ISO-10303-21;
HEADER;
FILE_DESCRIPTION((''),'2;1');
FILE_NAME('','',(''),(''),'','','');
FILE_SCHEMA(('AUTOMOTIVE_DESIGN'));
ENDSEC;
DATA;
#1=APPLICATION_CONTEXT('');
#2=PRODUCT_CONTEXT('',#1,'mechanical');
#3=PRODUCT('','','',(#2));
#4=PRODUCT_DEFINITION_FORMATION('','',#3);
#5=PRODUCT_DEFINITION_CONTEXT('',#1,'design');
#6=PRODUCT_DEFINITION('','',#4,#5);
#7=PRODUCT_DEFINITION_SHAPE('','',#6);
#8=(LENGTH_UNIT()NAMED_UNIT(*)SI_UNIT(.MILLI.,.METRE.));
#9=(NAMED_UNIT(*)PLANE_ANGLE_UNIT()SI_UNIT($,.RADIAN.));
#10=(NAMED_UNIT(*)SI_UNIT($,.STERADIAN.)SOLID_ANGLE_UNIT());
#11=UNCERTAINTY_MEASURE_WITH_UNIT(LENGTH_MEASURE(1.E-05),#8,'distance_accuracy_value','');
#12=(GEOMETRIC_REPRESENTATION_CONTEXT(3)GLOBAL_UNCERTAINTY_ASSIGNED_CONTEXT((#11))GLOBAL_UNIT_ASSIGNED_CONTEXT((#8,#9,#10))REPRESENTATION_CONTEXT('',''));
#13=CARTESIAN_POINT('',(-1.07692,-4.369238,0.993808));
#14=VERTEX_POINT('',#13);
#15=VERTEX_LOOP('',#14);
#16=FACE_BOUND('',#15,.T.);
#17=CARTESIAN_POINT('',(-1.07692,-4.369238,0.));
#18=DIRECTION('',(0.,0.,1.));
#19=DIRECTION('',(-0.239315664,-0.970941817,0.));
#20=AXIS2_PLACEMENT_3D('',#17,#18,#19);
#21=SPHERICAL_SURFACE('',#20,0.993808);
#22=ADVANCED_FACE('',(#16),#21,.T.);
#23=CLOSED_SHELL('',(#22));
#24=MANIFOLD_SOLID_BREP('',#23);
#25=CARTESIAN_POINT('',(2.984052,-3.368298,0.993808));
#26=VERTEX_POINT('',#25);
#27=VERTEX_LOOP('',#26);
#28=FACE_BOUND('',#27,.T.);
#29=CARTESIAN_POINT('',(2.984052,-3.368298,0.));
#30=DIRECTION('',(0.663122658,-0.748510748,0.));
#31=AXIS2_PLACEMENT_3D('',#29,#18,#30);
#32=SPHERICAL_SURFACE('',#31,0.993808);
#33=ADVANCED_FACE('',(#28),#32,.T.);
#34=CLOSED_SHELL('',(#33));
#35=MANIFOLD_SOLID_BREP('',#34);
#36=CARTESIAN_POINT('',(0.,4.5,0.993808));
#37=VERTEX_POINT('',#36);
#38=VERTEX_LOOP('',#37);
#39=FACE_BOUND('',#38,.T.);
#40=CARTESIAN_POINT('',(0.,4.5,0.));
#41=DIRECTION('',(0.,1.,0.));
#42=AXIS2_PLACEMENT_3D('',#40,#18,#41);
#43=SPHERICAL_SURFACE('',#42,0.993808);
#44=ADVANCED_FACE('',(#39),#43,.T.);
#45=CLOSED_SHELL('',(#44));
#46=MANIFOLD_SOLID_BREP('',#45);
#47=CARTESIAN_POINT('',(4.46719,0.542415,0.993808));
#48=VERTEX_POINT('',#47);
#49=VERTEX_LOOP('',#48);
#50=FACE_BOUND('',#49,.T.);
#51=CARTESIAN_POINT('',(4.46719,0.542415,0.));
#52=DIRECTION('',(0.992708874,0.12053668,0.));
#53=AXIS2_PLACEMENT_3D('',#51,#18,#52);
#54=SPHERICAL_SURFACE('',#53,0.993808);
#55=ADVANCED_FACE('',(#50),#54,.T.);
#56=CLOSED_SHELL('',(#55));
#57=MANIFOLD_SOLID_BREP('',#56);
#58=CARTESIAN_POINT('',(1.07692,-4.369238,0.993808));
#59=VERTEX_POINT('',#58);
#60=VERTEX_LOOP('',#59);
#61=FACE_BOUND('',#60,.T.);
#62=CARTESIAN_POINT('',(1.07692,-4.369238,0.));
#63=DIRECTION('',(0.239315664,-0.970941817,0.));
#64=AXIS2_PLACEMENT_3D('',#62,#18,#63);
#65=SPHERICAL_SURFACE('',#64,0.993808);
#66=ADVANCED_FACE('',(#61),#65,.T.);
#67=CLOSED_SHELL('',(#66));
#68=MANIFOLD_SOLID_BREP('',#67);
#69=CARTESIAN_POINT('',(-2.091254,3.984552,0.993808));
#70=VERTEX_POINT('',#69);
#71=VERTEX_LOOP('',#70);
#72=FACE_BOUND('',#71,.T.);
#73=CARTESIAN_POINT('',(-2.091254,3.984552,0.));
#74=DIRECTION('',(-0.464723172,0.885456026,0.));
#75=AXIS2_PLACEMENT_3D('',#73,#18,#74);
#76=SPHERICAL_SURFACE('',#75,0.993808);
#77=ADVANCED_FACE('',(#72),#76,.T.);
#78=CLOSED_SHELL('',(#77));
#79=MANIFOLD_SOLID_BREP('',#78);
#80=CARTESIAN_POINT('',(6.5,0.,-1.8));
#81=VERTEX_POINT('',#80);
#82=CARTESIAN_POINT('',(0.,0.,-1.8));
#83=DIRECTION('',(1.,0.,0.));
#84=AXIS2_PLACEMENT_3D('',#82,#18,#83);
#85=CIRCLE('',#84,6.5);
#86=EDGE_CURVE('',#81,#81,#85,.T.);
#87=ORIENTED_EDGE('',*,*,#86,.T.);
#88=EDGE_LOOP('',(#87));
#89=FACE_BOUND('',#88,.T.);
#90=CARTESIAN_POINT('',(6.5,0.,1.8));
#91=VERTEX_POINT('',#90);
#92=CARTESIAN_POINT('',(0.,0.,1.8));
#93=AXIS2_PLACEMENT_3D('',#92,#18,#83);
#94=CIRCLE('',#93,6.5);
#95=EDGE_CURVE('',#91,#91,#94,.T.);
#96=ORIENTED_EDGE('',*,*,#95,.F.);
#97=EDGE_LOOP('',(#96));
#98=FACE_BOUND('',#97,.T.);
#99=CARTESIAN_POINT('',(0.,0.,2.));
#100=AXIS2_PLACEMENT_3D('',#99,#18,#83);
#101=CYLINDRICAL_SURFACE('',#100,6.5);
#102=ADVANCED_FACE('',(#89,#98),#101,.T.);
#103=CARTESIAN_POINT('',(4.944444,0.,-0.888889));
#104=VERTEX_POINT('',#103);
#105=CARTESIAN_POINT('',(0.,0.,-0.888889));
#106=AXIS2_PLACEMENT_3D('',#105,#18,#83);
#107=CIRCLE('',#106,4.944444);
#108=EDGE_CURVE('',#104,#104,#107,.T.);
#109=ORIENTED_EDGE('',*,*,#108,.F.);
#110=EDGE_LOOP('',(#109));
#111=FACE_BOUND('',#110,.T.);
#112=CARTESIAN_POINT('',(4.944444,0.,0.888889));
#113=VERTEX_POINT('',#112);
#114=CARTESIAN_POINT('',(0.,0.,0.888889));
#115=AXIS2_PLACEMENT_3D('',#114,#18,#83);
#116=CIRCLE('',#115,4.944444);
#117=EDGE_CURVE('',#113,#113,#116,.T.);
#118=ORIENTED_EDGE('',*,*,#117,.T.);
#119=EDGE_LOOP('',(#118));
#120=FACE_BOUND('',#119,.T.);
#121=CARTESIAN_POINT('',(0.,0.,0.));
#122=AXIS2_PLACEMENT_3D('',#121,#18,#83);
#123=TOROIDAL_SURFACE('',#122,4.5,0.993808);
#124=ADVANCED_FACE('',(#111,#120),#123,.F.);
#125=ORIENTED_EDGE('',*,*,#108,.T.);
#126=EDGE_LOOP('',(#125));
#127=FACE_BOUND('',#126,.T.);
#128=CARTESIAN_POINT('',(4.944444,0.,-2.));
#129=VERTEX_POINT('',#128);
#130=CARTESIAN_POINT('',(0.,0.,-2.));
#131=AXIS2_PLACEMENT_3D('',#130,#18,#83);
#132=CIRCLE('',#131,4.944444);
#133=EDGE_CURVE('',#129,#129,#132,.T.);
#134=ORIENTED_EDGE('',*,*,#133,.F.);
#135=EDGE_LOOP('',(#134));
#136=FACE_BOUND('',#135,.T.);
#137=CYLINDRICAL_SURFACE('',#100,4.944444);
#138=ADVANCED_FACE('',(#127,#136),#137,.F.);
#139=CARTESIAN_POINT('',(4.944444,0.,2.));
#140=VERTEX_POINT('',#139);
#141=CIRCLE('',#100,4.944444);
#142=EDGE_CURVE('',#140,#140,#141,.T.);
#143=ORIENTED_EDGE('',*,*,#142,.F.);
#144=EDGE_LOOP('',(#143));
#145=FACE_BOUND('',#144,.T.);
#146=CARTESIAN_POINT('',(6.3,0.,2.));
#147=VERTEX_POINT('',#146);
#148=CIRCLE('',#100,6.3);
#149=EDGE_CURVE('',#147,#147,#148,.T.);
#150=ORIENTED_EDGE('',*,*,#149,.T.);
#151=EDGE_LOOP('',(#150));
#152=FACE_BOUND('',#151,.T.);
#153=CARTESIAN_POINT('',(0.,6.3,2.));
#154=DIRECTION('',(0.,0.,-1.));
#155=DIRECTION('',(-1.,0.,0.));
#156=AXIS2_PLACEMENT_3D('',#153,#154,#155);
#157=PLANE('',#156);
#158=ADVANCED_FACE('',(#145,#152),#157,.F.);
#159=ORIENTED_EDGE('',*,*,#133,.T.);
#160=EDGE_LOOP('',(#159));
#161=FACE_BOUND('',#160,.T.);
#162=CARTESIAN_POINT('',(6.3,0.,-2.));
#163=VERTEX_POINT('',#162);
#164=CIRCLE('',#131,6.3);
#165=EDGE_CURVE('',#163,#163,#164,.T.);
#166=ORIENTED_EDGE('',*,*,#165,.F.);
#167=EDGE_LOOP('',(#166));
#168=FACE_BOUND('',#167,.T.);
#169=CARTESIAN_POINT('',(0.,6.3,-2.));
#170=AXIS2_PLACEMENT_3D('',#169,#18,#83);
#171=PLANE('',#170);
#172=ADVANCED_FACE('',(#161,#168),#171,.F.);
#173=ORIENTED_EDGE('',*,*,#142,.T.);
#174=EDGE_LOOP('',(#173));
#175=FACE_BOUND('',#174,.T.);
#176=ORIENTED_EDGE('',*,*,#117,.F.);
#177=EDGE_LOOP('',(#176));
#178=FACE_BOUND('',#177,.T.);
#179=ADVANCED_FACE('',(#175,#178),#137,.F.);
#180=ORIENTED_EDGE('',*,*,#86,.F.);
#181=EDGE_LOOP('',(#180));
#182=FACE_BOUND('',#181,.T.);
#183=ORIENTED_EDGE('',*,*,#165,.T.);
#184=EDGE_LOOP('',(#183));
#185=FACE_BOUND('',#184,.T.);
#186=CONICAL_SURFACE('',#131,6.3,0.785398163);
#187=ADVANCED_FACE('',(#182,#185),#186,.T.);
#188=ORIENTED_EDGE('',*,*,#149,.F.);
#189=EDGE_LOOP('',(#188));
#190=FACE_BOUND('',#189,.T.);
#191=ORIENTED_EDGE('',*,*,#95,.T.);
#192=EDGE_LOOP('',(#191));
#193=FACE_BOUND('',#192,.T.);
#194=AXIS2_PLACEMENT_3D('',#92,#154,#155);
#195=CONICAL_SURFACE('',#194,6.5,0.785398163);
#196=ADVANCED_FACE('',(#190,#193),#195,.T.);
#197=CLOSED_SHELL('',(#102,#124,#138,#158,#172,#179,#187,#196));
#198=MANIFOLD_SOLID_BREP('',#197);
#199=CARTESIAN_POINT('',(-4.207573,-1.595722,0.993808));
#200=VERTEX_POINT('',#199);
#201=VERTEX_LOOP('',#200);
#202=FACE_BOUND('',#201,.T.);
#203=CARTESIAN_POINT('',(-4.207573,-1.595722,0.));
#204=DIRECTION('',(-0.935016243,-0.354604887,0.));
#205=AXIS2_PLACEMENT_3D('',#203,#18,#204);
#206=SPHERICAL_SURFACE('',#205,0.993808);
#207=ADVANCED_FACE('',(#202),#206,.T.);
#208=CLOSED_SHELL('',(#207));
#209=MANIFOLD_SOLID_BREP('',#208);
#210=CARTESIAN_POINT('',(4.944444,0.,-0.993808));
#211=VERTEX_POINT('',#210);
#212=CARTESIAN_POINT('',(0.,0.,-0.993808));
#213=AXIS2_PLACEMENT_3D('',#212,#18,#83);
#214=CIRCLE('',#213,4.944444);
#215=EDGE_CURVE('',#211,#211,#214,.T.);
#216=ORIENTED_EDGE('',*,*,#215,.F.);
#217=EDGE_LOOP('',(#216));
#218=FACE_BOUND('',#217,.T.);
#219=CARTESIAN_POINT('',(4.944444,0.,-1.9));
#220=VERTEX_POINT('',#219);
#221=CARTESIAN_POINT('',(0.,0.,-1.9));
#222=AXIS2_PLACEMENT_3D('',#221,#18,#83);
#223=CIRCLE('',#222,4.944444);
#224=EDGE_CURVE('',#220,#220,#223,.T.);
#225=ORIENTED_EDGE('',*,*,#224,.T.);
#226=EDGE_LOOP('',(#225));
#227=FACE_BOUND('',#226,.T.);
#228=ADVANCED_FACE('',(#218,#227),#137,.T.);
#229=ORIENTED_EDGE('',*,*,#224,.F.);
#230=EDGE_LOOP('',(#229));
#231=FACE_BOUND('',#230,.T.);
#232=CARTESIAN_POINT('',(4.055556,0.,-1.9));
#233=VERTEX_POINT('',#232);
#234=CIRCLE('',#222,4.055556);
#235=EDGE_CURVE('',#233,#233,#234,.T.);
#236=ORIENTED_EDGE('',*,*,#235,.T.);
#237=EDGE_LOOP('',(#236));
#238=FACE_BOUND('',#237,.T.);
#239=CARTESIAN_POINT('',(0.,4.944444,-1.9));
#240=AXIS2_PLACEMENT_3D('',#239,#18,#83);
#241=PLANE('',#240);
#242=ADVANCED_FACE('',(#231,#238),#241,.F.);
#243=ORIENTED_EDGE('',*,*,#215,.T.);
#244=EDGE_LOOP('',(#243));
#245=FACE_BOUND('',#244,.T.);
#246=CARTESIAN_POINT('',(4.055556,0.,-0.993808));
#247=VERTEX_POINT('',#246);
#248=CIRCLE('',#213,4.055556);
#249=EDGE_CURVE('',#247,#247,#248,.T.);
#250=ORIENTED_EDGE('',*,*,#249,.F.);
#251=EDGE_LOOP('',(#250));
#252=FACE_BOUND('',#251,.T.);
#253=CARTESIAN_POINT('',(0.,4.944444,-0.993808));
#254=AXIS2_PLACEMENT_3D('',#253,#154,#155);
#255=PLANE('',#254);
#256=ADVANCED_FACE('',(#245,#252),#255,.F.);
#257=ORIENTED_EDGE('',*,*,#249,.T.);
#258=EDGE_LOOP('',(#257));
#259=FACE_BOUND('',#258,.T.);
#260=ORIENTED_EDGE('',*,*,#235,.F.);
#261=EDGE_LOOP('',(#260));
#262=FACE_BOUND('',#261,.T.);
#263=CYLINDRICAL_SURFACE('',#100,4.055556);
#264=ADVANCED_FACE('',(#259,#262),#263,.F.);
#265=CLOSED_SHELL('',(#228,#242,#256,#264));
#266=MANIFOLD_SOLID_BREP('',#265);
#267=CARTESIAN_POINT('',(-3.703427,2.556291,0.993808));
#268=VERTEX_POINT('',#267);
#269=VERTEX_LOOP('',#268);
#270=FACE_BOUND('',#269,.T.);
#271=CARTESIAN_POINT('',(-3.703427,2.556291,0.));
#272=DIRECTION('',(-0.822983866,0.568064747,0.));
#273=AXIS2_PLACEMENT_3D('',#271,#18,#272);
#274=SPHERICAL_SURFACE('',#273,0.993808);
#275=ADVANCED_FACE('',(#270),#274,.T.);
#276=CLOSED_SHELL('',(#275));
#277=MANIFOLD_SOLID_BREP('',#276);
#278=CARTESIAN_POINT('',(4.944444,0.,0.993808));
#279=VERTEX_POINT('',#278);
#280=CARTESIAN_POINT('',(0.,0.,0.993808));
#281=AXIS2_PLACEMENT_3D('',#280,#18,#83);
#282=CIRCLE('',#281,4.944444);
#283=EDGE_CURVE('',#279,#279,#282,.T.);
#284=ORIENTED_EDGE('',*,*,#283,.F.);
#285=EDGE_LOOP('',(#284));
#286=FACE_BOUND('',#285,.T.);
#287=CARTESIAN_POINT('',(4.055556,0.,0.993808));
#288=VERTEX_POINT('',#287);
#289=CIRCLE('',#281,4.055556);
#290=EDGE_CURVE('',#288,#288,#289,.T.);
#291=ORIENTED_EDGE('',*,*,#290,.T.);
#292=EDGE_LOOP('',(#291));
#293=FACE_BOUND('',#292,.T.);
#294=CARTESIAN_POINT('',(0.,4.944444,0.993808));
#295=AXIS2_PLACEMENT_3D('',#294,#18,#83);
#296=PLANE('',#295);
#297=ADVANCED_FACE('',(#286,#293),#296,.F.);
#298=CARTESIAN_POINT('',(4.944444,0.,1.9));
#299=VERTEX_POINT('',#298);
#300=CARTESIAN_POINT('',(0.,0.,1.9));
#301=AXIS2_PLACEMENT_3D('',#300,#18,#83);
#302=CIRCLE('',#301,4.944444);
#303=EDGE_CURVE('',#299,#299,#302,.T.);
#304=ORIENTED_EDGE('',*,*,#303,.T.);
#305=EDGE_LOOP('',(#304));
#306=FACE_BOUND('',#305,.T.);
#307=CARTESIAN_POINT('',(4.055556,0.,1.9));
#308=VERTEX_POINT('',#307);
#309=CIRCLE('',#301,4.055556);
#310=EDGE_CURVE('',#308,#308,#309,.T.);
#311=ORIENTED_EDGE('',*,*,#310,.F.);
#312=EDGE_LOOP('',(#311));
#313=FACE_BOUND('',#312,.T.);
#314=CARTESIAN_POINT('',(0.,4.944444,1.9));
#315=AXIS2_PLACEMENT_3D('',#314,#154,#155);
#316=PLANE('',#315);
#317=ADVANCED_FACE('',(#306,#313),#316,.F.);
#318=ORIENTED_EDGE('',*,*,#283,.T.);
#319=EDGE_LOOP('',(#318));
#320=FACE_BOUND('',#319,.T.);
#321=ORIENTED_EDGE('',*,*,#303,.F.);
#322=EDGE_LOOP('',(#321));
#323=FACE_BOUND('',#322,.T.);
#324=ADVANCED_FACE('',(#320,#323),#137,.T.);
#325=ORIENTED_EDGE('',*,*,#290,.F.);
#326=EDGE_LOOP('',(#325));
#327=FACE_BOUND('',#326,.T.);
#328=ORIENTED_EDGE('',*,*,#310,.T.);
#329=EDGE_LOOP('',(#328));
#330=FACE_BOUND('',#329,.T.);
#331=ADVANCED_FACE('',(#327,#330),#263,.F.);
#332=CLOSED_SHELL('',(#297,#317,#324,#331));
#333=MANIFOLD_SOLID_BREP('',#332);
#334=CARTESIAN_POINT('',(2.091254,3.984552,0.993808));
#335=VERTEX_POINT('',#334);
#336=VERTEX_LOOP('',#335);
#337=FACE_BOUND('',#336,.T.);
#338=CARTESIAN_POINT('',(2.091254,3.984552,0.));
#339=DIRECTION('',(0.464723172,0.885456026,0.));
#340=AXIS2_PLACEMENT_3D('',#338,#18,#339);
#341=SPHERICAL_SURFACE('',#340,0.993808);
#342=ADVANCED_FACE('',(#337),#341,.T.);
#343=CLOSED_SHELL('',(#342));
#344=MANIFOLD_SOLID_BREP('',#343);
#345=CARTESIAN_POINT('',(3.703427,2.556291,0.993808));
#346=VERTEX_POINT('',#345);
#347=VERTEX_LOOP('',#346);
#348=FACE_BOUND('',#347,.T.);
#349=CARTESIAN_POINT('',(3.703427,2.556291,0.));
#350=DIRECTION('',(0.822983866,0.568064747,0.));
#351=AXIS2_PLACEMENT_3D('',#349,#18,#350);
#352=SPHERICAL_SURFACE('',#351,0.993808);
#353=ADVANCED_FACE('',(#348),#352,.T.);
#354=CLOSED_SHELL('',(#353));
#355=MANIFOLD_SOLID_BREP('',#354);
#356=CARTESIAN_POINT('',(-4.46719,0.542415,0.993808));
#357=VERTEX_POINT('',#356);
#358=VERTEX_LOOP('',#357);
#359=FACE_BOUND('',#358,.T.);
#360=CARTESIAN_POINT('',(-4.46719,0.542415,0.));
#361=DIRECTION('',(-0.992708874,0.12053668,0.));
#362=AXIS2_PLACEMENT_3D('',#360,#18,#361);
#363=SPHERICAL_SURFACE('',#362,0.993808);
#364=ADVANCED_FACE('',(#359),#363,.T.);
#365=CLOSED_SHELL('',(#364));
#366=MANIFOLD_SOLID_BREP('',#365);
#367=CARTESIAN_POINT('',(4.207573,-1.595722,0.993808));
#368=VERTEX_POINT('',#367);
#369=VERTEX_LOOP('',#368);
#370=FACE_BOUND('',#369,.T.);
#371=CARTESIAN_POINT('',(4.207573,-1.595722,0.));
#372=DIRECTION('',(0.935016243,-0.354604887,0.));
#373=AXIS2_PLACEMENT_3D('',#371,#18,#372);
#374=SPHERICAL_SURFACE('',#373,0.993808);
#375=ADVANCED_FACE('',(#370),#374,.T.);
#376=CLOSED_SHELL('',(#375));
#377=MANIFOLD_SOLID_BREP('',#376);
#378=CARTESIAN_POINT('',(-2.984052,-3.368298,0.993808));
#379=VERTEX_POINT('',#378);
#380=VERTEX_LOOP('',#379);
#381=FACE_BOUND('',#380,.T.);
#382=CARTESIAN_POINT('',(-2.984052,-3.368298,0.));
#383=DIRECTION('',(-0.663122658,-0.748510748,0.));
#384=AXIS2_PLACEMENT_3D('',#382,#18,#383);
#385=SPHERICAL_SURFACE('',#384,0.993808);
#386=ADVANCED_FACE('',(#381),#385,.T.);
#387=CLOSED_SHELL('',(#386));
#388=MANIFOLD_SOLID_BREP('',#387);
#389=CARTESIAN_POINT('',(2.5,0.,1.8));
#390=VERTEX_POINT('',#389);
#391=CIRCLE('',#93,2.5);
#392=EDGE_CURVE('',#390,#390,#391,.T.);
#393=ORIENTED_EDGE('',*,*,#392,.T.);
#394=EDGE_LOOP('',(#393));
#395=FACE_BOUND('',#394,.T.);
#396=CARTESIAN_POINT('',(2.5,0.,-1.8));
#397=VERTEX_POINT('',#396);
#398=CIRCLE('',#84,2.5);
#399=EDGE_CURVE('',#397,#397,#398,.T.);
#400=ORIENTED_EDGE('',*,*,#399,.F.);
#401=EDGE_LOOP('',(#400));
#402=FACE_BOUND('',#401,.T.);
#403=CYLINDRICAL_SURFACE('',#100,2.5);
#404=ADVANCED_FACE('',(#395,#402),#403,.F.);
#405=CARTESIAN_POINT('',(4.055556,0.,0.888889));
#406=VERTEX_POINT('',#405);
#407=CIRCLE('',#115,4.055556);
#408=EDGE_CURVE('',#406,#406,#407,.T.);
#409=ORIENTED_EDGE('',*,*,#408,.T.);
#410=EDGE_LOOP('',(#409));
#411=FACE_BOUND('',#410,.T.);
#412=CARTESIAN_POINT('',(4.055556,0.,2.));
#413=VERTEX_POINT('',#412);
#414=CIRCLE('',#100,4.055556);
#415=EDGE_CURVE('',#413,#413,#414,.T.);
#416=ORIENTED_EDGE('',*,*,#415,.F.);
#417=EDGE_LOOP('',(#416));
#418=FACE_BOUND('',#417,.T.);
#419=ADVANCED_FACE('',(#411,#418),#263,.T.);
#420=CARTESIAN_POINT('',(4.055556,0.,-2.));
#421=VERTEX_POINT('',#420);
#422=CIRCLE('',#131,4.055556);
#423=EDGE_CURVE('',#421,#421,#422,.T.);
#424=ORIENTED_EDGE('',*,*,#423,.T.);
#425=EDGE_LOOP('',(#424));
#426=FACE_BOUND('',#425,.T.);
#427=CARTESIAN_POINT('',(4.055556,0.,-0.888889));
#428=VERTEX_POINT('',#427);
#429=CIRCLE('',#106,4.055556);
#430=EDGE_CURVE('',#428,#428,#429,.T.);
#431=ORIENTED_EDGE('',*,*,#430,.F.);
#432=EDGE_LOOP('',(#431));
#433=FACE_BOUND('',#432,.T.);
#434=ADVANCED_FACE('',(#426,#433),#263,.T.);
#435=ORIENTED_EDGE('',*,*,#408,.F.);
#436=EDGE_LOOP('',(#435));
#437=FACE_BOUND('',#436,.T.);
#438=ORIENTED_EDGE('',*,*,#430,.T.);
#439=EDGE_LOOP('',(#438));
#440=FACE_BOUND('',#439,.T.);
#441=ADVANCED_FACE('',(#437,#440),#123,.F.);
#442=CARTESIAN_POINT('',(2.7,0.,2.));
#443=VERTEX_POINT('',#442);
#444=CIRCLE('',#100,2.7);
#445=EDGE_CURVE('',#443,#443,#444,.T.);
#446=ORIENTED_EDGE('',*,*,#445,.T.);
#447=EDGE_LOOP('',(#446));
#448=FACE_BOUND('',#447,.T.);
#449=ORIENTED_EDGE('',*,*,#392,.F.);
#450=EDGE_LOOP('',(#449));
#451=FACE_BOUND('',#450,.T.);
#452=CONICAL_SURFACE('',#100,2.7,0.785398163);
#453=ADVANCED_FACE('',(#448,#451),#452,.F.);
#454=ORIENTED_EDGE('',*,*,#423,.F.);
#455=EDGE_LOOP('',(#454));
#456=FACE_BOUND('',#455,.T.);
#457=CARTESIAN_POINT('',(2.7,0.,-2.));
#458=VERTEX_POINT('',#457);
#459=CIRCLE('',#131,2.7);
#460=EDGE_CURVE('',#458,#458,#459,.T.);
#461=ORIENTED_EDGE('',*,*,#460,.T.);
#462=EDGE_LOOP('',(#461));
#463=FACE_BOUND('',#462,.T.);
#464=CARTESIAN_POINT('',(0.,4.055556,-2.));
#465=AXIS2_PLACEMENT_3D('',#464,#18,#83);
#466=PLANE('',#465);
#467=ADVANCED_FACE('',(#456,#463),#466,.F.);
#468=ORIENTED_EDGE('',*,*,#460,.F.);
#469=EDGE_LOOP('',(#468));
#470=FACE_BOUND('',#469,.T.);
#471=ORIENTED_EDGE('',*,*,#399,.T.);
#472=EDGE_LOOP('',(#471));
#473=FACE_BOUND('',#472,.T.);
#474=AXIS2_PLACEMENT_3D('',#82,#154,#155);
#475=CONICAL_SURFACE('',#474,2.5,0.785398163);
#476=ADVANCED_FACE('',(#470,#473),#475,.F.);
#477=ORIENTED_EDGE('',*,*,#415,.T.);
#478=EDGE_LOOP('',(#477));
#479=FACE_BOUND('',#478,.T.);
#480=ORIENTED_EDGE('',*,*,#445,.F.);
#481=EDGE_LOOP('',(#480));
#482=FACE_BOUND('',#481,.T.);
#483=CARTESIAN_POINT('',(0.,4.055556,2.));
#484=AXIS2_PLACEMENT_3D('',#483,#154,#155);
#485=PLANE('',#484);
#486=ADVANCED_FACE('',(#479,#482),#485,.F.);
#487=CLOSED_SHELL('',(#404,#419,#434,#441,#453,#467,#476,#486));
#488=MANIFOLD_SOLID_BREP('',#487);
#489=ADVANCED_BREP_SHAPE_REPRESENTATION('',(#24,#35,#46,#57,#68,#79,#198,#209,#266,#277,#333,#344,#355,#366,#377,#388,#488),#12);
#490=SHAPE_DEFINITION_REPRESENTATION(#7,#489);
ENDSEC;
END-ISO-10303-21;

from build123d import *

# Parameters (mm, degrees)
CIRPATTERN1_COUNT = 13
SKETCH5_W         = 0.90619201
SKETCH5_H         = 0.888888888


with BuildPart() as part:
    # Sketch1 → Revolve1 (revolve)
    with BuildSketch(Plane(origin=(0, 0, 0), x_dir=(0, 0, -1), z_dir=(1, 0, 0))):
        with BuildLine():
            Line((1.8, 6.5), (-1.8, 6.5))
            Line((-1.8, 6.5), (-2, 6.3))
            Line((-2, 6.3), (-2, 4.944444444))
            Line((-2, 4.944444444), (-0.888888889, 4.944444444))
            ThreePointArc((-0.888888889, 4.944444444), (0, 5.49380799), (0.888888889, 4.944444444))
            Line((0.888888889, 4.944444444), (2, 4.944444444))
            Line((2, 4.944444444), (2, 6.3))
            Line((2, 6.3), (1.8, 6.5))
        make_face()
    revolve(axis=Axis((0, 0, 2), (0, 0, -1)))


with BuildPart() as body_2:
    # Sketch2 → Revolve2 (revolve)
    with BuildSketch(Plane(origin=(0, 0, 0), x_dir=(0, 0, -1), z_dir=(1, 0, 0))):
        with BuildLine():
            Line((-2, 4.055555556), (-0.888888889, 4.055555556))
            ThreePointArc((-0.888888889, 4.055555556), (0, 3.50619201), (0.888888889, 4.055555556))
            Line((0.888888889, 4.055555556), (2, 4.055555556))
            Line((2, 4.055555556), (2, 2.7))
            Line((2, 2.7), (1.8, 2.5))
            Line((1.8, 2.5), (-1.8, 2.5))
            Line((-1.8, 2.5), (-2, 2.7))
            Line((-2, 2.7), (-2, 4.055555556))
        make_face()
    revolve(axis=Axis((0, 0, 2), (0, 0, -1)))


with BuildPart() as body_3:
    # Sketch3 → Revolve3 (revolve)
    with BuildSketch(Plane(origin=(0, 0, 0), x_dir=(0, 0, -1), z_dir=(1, 0, 0))):
        with BuildLine():
            Line((-0.99380799, 4.5), (0.99380799, 4.5))
            ThreePointArc((0.99380799, 4.5), (0, 5.49380799), (-0.99380799, 4.5))
        make_face()
    revolve(axis=Axis((0, 4.5, 0.99380799), (0, 0, -1)))


with BuildPart() as cirpattern1_1:
    # CirPattern1: pattern copy
    add(body_3.part.rotate(Axis((0, 0, -2), (0, 0, 1)), 1 * 360 / CIRPATTERN1_COUNT))


with BuildPart() as cirpattern1_2:
    # CirPattern1: pattern copy
    add(body_3.part.rotate(Axis((0, 0, -2), (0, 0, 1)), 2 * 360 / CIRPATTERN1_COUNT))


with BuildPart() as cirpattern1_3:
    # CirPattern1: pattern copy
    add(body_3.part.rotate(Axis((0, 0, -2), (0, 0, 1)), 3 * 360 / CIRPATTERN1_COUNT))


with BuildPart() as cirpattern1_4:
    # CirPattern1: pattern copy
    add(body_3.part.rotate(Axis((0, 0, -2), (0, 0, 1)), 4 * 360 / CIRPATTERN1_COUNT))


with BuildPart() as cirpattern1_5:
    # CirPattern1: pattern copy
    add(body_3.part.rotate(Axis((0, 0, -2), (0, 0, 1)), 5 * 360 / CIRPATTERN1_COUNT))


with BuildPart() as cirpattern1_6:
    # CirPattern1: pattern copy
    add(body_3.part.rotate(Axis((0, 0, -2), (0, 0, 1)), 6 * 360 / CIRPATTERN1_COUNT))


with BuildPart() as cirpattern1_7:
    # CirPattern1: pattern copy
    add(body_3.part.rotate(Axis((0, 0, -2), (0, 0, 1)), 7 * 360 / CIRPATTERN1_COUNT))


with BuildPart() as cirpattern1_8:
    # CirPattern1: pattern copy
    add(body_3.part.rotate(Axis((0, 0, -2), (0, 0, 1)), 8 * 360 / CIRPATTERN1_COUNT))


with BuildPart() as cirpattern1_9:
    # CirPattern1: pattern copy
    add(body_3.part.rotate(Axis((0, 0, -2), (0, 0, 1)), 9 * 360 / CIRPATTERN1_COUNT))


with BuildPart() as cirpattern1_10:
    # CirPattern1: pattern copy
    add(body_3.part.rotate(Axis((0, 0, -2), (0, 0, 1)), 10 * 360 / CIRPATTERN1_COUNT))


with BuildPart() as cirpattern1_11:
    # CirPattern1: pattern copy
    add(body_3.part.rotate(Axis((0, 0, -2), (0, 0, 1)), 11 * 360 / CIRPATTERN1_COUNT))


with BuildPart() as cirpattern1_12:
    # CirPattern1: pattern copy
    add(body_3.part.rotate(Axis((0, 0, -2), (0, 0, 1)), 12 * 360 / CIRPATTERN1_COUNT))


with BuildPart() as body_16:
    # Sketch5 → Revolve5 (revolve)
    with BuildSketch(Plane(origin=(0, 0, 0), x_dir=(0, 0, -1), z_dir=(1, 0, 0))):
        with Locations((-1.446903995, 4.5)):
            Rectangle(SKETCH5_W, SKETCH5_H)
        with Locations((1.446903995, 4.5)):
            Rectangle(SKETCH5_W, SKETCH5_H)
    revolve(axis=Axis((0, 0, 2), (0, 0, -1)))


solid = Compound([part.part, body_2.part, body_3.part, cirpattern1_1.part, cirpattern1_2.part, cirpattern1_3.part, cirpattern1_4.part, cirpattern1_5.part, cirpattern1_6.part, cirpattern1_7.part, cirpattern1_8.part, cirpattern1_9.part, cirpattern1_10.part, cirpattern1_11.part, cirpattern1_12.part, body_16.part])
